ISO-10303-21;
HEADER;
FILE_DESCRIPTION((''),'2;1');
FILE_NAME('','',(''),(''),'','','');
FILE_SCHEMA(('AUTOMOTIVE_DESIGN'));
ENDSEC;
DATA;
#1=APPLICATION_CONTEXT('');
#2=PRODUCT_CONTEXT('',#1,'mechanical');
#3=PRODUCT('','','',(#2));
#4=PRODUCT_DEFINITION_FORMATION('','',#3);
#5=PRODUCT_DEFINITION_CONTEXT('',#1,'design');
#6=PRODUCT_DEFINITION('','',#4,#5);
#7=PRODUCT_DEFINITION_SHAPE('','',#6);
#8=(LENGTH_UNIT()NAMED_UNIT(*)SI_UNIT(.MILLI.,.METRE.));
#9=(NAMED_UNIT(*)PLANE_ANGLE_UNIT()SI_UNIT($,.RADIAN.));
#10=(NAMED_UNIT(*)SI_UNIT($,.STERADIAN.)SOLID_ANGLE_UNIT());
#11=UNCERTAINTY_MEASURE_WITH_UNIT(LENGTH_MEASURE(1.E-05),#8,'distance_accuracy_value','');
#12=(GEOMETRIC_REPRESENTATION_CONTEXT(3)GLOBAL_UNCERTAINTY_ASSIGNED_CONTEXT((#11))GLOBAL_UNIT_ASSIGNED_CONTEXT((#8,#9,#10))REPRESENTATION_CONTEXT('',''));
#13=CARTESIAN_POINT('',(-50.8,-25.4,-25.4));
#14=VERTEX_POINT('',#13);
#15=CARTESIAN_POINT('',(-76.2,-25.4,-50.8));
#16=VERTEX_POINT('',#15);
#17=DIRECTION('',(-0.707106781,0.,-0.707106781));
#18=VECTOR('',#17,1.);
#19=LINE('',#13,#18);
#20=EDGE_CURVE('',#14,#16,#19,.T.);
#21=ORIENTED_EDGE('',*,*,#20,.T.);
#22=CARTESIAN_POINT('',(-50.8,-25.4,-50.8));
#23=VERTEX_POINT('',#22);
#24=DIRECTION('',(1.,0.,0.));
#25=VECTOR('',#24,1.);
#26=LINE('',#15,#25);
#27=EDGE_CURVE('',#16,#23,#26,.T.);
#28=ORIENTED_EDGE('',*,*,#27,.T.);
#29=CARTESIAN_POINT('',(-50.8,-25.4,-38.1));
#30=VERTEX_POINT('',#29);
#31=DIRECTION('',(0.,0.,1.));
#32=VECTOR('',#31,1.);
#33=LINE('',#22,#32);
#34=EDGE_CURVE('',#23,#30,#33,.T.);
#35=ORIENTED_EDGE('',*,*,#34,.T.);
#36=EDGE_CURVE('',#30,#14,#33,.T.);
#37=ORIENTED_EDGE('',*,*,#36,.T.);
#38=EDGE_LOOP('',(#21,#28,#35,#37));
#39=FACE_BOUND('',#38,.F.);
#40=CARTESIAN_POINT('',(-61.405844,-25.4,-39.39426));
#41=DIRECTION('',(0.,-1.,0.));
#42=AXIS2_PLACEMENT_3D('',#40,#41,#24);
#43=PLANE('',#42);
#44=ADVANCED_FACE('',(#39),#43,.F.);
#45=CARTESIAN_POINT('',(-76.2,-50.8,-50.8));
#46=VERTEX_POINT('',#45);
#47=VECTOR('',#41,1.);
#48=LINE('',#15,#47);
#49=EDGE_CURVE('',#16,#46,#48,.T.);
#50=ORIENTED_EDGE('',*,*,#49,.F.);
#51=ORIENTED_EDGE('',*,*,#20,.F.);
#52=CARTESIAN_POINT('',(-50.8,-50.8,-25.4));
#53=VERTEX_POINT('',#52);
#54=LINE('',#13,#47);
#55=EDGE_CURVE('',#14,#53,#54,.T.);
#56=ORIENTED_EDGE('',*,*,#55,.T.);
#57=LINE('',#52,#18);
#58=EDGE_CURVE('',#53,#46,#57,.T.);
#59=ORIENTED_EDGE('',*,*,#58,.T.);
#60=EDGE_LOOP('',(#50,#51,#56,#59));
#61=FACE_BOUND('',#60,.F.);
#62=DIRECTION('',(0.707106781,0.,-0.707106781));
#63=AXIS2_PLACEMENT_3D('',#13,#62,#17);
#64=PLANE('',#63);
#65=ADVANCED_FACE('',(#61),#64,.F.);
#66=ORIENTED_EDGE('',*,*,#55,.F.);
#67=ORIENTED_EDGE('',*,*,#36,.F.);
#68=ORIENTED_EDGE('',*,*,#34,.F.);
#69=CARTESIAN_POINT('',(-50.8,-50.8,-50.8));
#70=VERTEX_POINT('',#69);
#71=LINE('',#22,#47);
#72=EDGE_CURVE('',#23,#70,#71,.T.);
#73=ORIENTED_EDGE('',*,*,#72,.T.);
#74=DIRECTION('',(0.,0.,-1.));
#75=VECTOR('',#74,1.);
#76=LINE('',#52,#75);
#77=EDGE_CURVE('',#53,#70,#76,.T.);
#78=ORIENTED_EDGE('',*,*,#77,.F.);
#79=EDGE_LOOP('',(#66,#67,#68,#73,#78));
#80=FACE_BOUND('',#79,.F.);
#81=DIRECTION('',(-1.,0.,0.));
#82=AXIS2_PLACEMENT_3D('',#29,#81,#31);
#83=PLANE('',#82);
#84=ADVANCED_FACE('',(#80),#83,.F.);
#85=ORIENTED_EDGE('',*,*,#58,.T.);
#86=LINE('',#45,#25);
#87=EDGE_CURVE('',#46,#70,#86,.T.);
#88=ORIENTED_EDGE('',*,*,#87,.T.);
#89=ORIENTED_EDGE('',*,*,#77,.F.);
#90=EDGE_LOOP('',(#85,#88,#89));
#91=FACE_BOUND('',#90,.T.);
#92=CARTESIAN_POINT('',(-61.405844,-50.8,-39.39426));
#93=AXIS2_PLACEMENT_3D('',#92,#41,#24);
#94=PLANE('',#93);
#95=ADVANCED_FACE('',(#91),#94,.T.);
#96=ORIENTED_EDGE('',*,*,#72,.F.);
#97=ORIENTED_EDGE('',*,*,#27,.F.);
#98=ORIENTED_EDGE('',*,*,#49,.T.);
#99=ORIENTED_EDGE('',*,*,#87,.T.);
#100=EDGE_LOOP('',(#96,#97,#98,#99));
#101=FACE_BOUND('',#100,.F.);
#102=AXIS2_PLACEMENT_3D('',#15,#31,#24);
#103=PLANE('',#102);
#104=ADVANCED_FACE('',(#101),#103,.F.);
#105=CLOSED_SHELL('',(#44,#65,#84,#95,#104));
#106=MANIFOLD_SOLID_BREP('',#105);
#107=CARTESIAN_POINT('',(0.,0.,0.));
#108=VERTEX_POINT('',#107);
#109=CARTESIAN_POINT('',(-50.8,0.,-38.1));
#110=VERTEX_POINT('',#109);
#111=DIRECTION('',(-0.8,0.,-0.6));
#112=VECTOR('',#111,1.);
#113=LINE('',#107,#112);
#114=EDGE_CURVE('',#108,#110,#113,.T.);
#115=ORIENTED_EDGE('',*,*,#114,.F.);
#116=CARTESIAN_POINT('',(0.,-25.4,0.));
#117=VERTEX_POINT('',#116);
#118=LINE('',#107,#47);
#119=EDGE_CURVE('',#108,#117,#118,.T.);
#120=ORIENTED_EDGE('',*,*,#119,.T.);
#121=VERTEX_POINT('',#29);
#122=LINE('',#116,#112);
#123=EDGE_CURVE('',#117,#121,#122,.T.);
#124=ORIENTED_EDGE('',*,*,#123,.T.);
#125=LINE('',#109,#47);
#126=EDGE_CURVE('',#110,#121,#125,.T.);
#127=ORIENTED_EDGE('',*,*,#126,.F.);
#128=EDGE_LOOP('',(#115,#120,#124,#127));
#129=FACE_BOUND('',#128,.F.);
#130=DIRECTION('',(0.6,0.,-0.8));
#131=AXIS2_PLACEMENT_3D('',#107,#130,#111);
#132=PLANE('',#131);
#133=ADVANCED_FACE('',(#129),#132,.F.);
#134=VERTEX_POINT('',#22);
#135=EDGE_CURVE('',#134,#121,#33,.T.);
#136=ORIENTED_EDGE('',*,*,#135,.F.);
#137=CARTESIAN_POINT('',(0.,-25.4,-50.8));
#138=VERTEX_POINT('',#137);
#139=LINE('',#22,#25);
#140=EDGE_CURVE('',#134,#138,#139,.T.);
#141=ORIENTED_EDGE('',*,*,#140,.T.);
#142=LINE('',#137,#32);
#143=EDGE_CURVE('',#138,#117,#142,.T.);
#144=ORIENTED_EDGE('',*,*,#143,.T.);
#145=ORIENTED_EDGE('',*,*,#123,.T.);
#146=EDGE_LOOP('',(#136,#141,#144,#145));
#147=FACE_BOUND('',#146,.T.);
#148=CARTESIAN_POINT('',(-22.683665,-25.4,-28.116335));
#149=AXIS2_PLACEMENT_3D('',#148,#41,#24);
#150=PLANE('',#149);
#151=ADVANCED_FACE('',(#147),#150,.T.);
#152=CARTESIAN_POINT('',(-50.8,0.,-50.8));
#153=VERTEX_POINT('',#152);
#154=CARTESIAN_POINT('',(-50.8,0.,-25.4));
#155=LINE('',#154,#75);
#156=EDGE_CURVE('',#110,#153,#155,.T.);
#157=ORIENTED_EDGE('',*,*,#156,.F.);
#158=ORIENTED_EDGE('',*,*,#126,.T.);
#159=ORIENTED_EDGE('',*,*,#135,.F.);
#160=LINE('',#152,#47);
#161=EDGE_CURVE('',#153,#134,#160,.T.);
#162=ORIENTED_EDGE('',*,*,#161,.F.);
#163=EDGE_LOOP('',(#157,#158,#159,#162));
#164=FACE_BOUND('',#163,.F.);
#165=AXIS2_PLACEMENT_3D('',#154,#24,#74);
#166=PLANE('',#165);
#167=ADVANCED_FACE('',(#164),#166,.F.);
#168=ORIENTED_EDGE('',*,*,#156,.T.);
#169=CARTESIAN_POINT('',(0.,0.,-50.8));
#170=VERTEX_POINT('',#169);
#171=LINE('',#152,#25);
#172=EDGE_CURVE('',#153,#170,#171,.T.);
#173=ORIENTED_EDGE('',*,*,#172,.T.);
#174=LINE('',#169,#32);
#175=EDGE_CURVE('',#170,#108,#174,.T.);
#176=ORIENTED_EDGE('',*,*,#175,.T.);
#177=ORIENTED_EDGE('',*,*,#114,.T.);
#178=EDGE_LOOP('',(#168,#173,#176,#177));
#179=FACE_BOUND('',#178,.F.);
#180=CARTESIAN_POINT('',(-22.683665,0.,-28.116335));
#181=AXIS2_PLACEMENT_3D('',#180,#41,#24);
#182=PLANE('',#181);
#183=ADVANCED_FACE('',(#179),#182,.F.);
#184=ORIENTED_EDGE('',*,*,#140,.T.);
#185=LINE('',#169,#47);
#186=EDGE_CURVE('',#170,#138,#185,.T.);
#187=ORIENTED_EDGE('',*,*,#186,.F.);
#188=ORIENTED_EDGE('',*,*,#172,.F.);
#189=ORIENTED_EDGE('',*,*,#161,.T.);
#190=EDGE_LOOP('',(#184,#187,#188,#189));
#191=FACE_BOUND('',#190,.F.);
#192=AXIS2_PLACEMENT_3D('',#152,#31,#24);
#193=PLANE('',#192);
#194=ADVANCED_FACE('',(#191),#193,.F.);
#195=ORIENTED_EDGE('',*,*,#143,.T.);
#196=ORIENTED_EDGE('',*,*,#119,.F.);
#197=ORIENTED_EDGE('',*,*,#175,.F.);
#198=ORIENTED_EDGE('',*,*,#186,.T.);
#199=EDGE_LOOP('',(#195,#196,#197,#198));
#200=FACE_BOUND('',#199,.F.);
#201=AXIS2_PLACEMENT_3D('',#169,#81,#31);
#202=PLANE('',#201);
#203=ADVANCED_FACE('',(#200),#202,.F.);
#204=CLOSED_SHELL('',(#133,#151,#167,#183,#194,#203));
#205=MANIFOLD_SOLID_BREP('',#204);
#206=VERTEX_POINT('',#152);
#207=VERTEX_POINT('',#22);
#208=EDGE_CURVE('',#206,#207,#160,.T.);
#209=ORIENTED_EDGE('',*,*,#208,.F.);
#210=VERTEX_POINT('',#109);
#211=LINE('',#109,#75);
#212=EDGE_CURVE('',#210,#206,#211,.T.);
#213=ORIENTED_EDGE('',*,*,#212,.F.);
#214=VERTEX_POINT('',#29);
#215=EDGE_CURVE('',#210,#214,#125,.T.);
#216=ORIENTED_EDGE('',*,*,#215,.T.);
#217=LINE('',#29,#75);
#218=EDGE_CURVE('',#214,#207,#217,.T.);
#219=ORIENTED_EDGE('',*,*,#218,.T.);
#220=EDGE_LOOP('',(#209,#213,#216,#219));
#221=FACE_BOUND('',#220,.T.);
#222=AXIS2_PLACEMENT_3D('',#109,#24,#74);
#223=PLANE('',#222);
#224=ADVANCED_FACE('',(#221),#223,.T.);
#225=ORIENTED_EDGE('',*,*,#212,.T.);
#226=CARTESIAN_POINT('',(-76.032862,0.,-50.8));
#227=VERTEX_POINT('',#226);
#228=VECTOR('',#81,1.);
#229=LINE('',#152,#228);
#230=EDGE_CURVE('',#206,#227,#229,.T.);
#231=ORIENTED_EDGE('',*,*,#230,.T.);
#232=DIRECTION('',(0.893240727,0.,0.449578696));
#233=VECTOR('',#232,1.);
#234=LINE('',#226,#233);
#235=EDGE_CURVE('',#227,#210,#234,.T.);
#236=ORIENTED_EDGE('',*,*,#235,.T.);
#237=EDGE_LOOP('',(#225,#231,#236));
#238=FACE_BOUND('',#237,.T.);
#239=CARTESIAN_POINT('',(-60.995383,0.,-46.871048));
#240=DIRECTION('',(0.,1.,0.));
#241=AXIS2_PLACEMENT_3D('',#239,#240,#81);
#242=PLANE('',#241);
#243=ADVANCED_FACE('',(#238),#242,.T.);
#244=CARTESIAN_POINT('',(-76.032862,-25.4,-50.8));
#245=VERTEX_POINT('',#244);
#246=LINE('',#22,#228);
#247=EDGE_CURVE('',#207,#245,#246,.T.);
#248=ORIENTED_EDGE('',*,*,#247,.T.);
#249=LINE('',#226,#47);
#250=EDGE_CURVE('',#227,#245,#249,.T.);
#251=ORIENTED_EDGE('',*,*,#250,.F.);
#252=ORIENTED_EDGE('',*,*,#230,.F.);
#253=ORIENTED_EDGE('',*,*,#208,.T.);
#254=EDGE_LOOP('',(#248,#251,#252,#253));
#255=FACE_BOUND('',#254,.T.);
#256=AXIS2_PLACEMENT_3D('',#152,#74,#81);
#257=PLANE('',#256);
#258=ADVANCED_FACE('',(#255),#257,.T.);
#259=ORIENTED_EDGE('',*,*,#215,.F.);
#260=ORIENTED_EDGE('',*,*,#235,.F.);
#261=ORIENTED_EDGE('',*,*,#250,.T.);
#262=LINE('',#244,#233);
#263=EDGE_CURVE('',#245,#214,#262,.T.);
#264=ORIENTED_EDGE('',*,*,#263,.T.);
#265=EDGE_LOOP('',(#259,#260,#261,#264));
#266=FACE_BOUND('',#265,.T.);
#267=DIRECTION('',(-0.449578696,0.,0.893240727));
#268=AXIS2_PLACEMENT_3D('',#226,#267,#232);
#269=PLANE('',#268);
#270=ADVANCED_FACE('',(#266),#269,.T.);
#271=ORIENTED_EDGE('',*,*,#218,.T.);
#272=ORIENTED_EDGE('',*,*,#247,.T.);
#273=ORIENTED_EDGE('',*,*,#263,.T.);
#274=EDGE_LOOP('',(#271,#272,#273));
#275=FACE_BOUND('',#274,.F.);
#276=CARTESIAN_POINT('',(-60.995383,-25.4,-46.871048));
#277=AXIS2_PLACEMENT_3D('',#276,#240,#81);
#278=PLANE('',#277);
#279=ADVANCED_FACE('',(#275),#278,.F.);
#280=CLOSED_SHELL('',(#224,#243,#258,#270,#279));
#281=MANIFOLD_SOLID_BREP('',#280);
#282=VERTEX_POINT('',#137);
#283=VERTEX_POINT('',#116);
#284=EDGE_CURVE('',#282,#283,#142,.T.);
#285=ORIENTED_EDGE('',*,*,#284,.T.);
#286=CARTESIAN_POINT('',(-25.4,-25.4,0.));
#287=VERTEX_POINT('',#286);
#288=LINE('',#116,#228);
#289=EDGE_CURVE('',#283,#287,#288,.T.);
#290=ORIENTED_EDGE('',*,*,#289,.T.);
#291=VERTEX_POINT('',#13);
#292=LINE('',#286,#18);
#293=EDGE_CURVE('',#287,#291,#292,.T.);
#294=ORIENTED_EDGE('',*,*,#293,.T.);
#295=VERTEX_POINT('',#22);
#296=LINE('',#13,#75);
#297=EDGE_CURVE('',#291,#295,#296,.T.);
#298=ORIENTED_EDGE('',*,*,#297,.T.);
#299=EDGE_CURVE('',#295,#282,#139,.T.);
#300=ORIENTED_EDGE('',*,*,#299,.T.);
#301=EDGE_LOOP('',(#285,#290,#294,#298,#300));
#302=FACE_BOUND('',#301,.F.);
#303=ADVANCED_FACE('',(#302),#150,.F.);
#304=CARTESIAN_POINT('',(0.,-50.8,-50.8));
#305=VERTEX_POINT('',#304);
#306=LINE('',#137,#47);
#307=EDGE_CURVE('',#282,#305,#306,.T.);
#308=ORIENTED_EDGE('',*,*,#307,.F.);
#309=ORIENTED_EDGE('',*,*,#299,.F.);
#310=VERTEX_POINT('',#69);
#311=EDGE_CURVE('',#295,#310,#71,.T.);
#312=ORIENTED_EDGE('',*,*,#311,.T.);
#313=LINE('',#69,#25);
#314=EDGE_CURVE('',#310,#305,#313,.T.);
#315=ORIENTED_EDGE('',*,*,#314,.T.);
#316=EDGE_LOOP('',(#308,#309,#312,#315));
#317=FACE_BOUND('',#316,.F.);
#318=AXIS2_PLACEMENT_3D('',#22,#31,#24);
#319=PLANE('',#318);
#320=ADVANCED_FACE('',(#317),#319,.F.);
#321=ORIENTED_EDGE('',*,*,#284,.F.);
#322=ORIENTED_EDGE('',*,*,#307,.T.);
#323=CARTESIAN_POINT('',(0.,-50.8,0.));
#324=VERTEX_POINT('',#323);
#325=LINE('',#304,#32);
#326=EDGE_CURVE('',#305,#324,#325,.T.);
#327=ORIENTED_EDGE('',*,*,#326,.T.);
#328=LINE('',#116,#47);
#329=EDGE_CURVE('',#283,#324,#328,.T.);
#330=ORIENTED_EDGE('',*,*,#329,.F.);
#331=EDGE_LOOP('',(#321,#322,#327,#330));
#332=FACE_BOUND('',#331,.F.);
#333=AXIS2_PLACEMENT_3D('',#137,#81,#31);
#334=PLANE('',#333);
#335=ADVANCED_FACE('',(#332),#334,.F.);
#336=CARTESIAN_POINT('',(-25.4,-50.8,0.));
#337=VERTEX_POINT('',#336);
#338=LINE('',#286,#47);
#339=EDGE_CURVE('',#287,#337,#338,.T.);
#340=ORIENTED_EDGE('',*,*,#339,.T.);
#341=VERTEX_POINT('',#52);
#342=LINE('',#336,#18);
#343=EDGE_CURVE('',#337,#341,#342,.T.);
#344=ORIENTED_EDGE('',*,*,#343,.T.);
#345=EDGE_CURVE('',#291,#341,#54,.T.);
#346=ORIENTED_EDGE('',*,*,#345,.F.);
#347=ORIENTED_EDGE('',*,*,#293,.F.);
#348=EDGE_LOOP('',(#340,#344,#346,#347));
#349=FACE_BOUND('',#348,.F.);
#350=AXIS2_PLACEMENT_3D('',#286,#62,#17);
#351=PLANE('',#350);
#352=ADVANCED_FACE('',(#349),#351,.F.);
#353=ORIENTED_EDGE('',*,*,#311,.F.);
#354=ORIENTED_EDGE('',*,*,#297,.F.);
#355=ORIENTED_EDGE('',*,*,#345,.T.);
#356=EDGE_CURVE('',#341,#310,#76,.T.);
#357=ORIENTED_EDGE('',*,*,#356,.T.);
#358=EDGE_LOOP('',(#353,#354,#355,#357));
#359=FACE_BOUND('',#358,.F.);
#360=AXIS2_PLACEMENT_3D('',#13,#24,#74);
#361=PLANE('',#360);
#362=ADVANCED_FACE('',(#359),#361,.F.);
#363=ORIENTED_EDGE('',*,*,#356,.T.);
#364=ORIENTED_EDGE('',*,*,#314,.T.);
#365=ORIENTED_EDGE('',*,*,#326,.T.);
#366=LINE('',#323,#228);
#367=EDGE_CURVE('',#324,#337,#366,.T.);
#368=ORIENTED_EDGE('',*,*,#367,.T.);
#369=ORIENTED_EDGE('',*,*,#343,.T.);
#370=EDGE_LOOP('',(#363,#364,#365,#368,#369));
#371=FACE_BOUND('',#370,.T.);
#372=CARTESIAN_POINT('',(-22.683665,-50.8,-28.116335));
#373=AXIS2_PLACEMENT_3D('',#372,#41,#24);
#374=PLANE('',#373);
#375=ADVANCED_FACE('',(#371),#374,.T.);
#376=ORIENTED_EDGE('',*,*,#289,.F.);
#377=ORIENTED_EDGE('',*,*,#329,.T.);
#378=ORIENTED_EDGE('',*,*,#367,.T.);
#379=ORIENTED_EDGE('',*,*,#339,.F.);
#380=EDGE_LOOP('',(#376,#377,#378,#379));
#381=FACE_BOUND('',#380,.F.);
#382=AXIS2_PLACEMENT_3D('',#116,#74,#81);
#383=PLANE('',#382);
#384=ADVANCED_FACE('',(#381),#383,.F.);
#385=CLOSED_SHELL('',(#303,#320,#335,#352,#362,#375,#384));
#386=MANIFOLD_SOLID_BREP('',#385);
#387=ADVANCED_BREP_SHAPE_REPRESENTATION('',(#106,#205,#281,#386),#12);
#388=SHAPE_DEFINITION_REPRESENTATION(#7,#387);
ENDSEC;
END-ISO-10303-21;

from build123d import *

# Parameters (mm, degrees)
F1_DEPTH  = 25.4
F3_DEPTH  = 25.4
F5_DEPTH  = 25.4
F7_DEPTH  = 25.4
F9_DEPTH  = 25.4
F11_DEPTH = 25.4


with BuildPart() as f1:
    # F0 (on Front) → F1 (new body)
    with BuildSketch(Plane.XZ):
        Polygon((0, -50.8), (0, 0), (-25.4, 0), (-50.8, -25.4), (-50.8, -50.8), align=None)
    extrude(amount=F1_DEPTH)



with BuildPart() as f3:
    # F2 (on face) → F3 (new body)
    with BuildSketch(Plane.XZ.offset(25.4)):
        Polygon((-76.2, -50.8), (-50.8, -50.8), (-50.8, -38.1), align=None)
    extrude(amount=F3_DEPTH)


with BuildPart() as f1_1:
    add(f1.part)

    add(f3.part)  # F5 merges F3
    # F4 (on face) → F5 (join)
    with BuildSketch(Plane.XZ.offset(25.4)):
        Polygon((-76.2, -50.8), (-50.8, -38.1), (-50.8, -25.4), align=None)
    extrude(amount=F5_DEPTH)

    # F10 (on face) → F11 (cut)
    with BuildSketch(Plane(origin=(0, 0, 0), x_dir=(-1, 0, 0), z_dir=(0, 1, 0))):
        Polygon((0, 0), (50.8, -38.1), (50.8, -25.4), (25.4, 0), align=None)
    extrude(amount=-F11_DEPTH, mode=Mode.SUBTRACT)


with BuildPart() as f7:
    # F6 (on face) → F7 (new body)
    with BuildSketch(Plane.XZ.offset(25.4)):
        Polygon((-25.4, 0), (-50.8, -25.4), (-50.8, -50.8), (0, -50.8), (0, 0), align=None)
    extrude(amount=F7_DEPTH)


with BuildPart() as f9:
    # F8 (on face) → F9 (new body)
    with BuildSketch(Plane(origin=(0, 0, 0), x_dir=(-1, 0, 0), z_dir=(0, 1, 0))):
        Polygon((76.0328620672, -50.8), (50.8, -38.1), (50.8, -50.8), align=None)
    extrude(amount=-F9_DEPTH)


solid = Compound([f1_1.part, f7.part, f9.part])
